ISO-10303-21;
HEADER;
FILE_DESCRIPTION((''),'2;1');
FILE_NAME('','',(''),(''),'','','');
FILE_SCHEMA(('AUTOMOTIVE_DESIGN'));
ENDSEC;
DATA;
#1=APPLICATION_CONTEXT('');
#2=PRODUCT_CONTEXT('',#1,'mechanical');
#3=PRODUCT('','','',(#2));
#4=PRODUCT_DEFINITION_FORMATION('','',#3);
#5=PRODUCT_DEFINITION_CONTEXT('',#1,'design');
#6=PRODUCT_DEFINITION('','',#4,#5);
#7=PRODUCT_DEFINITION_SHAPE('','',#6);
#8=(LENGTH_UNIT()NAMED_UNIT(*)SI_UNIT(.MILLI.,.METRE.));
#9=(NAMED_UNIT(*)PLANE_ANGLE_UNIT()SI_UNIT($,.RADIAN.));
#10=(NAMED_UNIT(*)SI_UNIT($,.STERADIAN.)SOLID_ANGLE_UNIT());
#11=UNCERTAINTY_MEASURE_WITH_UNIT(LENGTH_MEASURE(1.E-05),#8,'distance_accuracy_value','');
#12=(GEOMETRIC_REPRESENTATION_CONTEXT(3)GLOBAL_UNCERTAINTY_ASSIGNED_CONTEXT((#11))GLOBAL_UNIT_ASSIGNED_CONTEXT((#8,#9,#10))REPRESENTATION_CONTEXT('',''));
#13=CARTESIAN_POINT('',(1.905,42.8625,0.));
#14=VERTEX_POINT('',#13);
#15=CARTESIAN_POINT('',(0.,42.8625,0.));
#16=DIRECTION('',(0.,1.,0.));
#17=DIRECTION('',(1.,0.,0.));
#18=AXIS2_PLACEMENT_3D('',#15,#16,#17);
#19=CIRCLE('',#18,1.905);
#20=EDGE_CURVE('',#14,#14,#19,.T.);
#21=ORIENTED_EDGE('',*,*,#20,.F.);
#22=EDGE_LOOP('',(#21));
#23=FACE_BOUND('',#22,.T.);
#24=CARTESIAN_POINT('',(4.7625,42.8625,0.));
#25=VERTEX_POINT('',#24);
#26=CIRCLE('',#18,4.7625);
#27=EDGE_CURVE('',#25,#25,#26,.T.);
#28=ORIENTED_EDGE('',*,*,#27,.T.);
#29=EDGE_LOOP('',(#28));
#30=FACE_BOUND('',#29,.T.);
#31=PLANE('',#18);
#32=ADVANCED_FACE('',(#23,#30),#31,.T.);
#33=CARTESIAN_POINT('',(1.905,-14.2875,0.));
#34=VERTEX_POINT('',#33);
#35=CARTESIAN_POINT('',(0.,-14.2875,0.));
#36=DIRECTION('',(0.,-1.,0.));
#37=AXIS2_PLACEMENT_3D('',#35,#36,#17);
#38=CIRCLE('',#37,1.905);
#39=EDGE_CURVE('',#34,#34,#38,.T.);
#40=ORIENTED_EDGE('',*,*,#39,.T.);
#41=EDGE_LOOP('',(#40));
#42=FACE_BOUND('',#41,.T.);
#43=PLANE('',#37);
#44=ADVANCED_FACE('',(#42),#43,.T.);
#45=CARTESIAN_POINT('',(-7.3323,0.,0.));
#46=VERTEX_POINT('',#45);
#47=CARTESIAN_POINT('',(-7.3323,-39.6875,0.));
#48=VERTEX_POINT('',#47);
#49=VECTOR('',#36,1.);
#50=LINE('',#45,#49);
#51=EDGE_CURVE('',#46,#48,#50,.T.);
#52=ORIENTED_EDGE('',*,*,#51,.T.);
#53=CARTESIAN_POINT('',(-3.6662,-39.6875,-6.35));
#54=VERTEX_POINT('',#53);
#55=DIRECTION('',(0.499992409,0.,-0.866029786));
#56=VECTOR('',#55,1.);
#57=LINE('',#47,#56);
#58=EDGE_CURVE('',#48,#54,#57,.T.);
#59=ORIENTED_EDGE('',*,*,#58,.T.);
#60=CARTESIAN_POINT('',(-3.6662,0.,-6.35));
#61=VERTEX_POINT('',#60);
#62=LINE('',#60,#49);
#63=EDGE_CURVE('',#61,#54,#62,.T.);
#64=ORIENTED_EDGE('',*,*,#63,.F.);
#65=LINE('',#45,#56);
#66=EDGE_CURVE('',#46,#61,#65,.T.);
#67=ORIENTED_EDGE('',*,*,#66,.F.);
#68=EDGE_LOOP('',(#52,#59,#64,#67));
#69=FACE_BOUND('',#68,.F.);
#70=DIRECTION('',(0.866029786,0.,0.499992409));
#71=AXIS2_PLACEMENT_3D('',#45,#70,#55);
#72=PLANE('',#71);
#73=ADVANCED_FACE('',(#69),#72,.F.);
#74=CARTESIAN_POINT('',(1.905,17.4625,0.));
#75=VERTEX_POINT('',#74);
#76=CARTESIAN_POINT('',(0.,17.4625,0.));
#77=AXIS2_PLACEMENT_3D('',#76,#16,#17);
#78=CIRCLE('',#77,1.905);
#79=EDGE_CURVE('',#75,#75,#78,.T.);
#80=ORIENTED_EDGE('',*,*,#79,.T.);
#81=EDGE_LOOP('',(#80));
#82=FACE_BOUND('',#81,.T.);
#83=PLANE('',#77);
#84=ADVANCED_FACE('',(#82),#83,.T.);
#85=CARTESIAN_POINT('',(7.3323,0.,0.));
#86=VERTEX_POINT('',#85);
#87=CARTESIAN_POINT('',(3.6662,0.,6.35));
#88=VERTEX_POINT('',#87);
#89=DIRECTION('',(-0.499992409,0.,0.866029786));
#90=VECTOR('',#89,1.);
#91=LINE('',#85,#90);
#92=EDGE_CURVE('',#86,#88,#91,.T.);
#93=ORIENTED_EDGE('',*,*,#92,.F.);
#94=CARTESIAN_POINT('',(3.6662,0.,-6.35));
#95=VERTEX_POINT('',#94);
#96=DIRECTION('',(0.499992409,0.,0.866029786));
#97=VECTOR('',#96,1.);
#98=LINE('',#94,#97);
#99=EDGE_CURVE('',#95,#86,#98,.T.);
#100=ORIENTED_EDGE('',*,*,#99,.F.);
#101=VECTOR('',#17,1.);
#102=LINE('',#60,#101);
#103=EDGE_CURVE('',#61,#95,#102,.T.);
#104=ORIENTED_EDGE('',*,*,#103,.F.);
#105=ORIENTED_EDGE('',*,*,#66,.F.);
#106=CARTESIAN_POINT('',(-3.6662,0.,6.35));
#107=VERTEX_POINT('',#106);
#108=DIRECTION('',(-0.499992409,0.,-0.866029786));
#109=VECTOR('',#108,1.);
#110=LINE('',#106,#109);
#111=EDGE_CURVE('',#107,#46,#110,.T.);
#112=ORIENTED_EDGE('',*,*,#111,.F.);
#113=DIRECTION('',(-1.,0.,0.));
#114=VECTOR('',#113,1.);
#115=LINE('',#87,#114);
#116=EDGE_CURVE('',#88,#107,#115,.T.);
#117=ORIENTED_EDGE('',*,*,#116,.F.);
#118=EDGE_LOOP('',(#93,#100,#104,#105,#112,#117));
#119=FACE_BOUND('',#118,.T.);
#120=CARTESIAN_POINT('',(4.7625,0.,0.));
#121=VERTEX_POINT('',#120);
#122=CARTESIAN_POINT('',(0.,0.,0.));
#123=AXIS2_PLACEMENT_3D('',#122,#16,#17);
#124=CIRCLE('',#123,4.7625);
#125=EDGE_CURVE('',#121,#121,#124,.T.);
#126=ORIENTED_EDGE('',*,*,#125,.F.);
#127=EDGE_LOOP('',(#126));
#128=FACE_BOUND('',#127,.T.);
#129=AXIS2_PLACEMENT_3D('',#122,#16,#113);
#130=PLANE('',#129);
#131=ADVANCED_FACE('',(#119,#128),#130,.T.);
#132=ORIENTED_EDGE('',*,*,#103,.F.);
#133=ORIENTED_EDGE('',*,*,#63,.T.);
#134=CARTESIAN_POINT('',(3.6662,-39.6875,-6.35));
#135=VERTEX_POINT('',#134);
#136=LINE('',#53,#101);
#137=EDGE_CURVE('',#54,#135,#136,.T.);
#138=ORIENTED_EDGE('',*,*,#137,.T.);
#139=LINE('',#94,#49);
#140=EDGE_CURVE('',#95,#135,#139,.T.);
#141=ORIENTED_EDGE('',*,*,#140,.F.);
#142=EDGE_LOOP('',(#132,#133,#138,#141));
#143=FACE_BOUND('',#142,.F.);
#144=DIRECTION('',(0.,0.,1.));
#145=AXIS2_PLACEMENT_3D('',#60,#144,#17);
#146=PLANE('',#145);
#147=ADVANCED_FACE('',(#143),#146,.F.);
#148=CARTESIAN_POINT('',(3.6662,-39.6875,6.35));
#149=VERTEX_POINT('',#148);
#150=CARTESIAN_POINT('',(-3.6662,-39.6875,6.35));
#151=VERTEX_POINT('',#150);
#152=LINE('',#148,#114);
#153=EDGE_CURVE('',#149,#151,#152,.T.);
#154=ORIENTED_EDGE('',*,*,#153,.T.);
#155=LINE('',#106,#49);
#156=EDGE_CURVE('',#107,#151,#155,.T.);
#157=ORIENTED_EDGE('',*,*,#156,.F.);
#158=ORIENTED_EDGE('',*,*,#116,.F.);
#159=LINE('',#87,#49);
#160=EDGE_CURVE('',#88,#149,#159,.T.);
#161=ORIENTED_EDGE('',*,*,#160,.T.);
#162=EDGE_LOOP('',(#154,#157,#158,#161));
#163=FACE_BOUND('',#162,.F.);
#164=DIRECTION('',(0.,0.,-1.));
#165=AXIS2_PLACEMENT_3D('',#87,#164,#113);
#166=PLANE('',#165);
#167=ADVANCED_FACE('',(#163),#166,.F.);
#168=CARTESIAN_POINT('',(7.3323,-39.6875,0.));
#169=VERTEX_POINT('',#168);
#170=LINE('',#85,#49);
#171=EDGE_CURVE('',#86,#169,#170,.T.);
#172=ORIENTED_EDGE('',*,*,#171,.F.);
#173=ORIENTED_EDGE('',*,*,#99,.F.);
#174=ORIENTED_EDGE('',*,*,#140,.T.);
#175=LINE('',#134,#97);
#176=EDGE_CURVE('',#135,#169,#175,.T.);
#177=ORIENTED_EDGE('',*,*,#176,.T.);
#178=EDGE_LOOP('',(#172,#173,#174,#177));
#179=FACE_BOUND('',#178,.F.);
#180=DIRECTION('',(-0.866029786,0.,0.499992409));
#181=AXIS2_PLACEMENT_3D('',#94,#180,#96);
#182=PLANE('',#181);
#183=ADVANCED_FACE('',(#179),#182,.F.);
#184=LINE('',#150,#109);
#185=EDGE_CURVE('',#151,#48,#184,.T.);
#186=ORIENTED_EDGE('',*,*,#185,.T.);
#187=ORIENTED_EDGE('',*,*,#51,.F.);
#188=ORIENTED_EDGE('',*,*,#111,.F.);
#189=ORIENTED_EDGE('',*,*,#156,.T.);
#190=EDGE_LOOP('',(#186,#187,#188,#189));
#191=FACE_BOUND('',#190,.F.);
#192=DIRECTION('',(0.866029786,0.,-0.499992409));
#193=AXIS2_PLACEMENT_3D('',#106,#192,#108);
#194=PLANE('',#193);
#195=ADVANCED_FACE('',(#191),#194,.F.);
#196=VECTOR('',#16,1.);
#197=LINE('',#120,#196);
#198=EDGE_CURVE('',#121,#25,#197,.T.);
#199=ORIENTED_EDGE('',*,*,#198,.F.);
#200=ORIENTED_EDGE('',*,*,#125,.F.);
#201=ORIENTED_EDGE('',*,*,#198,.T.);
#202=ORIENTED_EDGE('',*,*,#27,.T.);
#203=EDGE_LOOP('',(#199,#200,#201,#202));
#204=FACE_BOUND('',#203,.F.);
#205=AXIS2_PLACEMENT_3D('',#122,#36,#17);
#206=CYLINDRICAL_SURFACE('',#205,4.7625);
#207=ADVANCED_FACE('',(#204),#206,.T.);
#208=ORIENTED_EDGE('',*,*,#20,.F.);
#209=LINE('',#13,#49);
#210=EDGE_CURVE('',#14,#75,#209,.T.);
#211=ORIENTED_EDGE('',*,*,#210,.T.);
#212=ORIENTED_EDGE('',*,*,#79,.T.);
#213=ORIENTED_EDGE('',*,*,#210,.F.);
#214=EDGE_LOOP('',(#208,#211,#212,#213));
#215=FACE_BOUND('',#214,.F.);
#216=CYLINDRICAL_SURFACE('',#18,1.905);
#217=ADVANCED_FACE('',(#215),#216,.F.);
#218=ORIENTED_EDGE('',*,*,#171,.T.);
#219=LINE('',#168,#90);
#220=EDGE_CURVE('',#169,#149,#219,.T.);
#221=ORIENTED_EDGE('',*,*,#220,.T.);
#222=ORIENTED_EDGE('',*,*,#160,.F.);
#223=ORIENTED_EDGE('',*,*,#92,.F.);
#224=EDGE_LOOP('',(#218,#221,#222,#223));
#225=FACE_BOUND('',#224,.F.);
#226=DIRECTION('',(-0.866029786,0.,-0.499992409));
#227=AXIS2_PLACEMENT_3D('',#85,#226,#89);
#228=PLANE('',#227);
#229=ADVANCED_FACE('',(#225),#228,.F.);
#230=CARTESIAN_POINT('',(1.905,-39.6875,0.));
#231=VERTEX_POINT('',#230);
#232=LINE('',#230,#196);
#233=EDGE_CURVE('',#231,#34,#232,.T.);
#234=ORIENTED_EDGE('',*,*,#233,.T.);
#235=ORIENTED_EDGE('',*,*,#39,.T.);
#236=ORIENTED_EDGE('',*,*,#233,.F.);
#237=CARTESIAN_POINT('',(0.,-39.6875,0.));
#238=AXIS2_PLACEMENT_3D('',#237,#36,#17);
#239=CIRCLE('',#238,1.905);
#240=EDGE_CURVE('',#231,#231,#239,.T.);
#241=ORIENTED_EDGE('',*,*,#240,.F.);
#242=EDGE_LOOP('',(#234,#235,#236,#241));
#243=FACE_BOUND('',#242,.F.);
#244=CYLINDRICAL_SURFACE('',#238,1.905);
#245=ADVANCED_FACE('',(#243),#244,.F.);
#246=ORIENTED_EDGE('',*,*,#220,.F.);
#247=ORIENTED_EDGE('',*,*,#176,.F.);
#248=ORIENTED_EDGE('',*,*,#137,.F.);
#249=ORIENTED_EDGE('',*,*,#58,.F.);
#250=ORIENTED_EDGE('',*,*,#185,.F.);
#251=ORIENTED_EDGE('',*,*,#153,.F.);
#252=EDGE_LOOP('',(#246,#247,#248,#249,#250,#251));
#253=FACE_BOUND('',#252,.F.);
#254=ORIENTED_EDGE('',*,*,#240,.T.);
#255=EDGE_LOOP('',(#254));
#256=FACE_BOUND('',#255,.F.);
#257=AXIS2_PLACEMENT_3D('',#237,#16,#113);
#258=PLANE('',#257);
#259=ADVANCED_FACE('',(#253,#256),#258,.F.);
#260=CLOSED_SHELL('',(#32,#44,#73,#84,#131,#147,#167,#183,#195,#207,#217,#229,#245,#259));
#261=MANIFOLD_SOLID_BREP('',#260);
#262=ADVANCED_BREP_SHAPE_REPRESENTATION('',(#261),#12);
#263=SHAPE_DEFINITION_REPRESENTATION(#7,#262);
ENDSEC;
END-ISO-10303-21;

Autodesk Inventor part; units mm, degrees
ref_plane "YZ Plane" through (0, 0, 0) normal (1, 0, 0) x (0, 1, 0)
ref_plane "XZ Plane" through (0, 0, 0) normal (0, 1, 0) x (-1, 0, 0)
ref_plane "XY Plane" through (0, 0, 0) normal (0, 0, 1) x (1, 0, 0)
sketch "Sketch1" plane through (0, 0, 0) normal (0, 1, 0) x (-1, 0, 0)
  line L0 (3.6662, -6.35) -> (-3.6662, -6.35)
  line L1 (-3.6662, -6.35) -> (-7.3323, 0)
  line L2 (-7.3323, 0) -> (-3.6662, 6.35)
  line L3 (-3.6662, 6.35) -> (3.6662, 6.35)
  line L4 (3.6662, 6.35) -> (7.3323, 0)
  line L5 (7.3323, 0) -> (3.6662, -6.35)
  point P0 (0, 0)
  point P1 (0, 0)
  dimension "d0" = 12.7
extrude "Extrusion1" add sketch "Sketch1" against normal blind 39.6875
sketch "Sketch2" plane through (0, 0, 0) normal (0, 1, 0) x (1, 0, 0)
  circle A0 centre (0, 0) radius 4.7625
  dimension "d3" = 9.525
extrude "Extrusion2" add sketch "Sketch2" along normal blind 42.8625
sketch "Sketch3" plane through (0, -39.6875, 0) normal (0, -1, 0) x (1, 0, 0)
  circle A0 centre (0, 0) radius 4.7625 projected
  circle A1 centre (0, 0) radius 1.905
  dimension "d7" = 3.81
extrude "Extrusion3" cut sketch "Sketch3" against normal blind 25.4 contours A1
sketch "Sketch4" plane through (0, 42.8625, 0) normal (0, 1, 0) x (1, 0, 0)
  circle A0 centre (0, 0) radius 1.905 projected
extrude "Extrusion4" cut sketch "Sketch4" against normal blind 25.4
properties part number "Roller driven shaft" material "Aluminum 6061"
